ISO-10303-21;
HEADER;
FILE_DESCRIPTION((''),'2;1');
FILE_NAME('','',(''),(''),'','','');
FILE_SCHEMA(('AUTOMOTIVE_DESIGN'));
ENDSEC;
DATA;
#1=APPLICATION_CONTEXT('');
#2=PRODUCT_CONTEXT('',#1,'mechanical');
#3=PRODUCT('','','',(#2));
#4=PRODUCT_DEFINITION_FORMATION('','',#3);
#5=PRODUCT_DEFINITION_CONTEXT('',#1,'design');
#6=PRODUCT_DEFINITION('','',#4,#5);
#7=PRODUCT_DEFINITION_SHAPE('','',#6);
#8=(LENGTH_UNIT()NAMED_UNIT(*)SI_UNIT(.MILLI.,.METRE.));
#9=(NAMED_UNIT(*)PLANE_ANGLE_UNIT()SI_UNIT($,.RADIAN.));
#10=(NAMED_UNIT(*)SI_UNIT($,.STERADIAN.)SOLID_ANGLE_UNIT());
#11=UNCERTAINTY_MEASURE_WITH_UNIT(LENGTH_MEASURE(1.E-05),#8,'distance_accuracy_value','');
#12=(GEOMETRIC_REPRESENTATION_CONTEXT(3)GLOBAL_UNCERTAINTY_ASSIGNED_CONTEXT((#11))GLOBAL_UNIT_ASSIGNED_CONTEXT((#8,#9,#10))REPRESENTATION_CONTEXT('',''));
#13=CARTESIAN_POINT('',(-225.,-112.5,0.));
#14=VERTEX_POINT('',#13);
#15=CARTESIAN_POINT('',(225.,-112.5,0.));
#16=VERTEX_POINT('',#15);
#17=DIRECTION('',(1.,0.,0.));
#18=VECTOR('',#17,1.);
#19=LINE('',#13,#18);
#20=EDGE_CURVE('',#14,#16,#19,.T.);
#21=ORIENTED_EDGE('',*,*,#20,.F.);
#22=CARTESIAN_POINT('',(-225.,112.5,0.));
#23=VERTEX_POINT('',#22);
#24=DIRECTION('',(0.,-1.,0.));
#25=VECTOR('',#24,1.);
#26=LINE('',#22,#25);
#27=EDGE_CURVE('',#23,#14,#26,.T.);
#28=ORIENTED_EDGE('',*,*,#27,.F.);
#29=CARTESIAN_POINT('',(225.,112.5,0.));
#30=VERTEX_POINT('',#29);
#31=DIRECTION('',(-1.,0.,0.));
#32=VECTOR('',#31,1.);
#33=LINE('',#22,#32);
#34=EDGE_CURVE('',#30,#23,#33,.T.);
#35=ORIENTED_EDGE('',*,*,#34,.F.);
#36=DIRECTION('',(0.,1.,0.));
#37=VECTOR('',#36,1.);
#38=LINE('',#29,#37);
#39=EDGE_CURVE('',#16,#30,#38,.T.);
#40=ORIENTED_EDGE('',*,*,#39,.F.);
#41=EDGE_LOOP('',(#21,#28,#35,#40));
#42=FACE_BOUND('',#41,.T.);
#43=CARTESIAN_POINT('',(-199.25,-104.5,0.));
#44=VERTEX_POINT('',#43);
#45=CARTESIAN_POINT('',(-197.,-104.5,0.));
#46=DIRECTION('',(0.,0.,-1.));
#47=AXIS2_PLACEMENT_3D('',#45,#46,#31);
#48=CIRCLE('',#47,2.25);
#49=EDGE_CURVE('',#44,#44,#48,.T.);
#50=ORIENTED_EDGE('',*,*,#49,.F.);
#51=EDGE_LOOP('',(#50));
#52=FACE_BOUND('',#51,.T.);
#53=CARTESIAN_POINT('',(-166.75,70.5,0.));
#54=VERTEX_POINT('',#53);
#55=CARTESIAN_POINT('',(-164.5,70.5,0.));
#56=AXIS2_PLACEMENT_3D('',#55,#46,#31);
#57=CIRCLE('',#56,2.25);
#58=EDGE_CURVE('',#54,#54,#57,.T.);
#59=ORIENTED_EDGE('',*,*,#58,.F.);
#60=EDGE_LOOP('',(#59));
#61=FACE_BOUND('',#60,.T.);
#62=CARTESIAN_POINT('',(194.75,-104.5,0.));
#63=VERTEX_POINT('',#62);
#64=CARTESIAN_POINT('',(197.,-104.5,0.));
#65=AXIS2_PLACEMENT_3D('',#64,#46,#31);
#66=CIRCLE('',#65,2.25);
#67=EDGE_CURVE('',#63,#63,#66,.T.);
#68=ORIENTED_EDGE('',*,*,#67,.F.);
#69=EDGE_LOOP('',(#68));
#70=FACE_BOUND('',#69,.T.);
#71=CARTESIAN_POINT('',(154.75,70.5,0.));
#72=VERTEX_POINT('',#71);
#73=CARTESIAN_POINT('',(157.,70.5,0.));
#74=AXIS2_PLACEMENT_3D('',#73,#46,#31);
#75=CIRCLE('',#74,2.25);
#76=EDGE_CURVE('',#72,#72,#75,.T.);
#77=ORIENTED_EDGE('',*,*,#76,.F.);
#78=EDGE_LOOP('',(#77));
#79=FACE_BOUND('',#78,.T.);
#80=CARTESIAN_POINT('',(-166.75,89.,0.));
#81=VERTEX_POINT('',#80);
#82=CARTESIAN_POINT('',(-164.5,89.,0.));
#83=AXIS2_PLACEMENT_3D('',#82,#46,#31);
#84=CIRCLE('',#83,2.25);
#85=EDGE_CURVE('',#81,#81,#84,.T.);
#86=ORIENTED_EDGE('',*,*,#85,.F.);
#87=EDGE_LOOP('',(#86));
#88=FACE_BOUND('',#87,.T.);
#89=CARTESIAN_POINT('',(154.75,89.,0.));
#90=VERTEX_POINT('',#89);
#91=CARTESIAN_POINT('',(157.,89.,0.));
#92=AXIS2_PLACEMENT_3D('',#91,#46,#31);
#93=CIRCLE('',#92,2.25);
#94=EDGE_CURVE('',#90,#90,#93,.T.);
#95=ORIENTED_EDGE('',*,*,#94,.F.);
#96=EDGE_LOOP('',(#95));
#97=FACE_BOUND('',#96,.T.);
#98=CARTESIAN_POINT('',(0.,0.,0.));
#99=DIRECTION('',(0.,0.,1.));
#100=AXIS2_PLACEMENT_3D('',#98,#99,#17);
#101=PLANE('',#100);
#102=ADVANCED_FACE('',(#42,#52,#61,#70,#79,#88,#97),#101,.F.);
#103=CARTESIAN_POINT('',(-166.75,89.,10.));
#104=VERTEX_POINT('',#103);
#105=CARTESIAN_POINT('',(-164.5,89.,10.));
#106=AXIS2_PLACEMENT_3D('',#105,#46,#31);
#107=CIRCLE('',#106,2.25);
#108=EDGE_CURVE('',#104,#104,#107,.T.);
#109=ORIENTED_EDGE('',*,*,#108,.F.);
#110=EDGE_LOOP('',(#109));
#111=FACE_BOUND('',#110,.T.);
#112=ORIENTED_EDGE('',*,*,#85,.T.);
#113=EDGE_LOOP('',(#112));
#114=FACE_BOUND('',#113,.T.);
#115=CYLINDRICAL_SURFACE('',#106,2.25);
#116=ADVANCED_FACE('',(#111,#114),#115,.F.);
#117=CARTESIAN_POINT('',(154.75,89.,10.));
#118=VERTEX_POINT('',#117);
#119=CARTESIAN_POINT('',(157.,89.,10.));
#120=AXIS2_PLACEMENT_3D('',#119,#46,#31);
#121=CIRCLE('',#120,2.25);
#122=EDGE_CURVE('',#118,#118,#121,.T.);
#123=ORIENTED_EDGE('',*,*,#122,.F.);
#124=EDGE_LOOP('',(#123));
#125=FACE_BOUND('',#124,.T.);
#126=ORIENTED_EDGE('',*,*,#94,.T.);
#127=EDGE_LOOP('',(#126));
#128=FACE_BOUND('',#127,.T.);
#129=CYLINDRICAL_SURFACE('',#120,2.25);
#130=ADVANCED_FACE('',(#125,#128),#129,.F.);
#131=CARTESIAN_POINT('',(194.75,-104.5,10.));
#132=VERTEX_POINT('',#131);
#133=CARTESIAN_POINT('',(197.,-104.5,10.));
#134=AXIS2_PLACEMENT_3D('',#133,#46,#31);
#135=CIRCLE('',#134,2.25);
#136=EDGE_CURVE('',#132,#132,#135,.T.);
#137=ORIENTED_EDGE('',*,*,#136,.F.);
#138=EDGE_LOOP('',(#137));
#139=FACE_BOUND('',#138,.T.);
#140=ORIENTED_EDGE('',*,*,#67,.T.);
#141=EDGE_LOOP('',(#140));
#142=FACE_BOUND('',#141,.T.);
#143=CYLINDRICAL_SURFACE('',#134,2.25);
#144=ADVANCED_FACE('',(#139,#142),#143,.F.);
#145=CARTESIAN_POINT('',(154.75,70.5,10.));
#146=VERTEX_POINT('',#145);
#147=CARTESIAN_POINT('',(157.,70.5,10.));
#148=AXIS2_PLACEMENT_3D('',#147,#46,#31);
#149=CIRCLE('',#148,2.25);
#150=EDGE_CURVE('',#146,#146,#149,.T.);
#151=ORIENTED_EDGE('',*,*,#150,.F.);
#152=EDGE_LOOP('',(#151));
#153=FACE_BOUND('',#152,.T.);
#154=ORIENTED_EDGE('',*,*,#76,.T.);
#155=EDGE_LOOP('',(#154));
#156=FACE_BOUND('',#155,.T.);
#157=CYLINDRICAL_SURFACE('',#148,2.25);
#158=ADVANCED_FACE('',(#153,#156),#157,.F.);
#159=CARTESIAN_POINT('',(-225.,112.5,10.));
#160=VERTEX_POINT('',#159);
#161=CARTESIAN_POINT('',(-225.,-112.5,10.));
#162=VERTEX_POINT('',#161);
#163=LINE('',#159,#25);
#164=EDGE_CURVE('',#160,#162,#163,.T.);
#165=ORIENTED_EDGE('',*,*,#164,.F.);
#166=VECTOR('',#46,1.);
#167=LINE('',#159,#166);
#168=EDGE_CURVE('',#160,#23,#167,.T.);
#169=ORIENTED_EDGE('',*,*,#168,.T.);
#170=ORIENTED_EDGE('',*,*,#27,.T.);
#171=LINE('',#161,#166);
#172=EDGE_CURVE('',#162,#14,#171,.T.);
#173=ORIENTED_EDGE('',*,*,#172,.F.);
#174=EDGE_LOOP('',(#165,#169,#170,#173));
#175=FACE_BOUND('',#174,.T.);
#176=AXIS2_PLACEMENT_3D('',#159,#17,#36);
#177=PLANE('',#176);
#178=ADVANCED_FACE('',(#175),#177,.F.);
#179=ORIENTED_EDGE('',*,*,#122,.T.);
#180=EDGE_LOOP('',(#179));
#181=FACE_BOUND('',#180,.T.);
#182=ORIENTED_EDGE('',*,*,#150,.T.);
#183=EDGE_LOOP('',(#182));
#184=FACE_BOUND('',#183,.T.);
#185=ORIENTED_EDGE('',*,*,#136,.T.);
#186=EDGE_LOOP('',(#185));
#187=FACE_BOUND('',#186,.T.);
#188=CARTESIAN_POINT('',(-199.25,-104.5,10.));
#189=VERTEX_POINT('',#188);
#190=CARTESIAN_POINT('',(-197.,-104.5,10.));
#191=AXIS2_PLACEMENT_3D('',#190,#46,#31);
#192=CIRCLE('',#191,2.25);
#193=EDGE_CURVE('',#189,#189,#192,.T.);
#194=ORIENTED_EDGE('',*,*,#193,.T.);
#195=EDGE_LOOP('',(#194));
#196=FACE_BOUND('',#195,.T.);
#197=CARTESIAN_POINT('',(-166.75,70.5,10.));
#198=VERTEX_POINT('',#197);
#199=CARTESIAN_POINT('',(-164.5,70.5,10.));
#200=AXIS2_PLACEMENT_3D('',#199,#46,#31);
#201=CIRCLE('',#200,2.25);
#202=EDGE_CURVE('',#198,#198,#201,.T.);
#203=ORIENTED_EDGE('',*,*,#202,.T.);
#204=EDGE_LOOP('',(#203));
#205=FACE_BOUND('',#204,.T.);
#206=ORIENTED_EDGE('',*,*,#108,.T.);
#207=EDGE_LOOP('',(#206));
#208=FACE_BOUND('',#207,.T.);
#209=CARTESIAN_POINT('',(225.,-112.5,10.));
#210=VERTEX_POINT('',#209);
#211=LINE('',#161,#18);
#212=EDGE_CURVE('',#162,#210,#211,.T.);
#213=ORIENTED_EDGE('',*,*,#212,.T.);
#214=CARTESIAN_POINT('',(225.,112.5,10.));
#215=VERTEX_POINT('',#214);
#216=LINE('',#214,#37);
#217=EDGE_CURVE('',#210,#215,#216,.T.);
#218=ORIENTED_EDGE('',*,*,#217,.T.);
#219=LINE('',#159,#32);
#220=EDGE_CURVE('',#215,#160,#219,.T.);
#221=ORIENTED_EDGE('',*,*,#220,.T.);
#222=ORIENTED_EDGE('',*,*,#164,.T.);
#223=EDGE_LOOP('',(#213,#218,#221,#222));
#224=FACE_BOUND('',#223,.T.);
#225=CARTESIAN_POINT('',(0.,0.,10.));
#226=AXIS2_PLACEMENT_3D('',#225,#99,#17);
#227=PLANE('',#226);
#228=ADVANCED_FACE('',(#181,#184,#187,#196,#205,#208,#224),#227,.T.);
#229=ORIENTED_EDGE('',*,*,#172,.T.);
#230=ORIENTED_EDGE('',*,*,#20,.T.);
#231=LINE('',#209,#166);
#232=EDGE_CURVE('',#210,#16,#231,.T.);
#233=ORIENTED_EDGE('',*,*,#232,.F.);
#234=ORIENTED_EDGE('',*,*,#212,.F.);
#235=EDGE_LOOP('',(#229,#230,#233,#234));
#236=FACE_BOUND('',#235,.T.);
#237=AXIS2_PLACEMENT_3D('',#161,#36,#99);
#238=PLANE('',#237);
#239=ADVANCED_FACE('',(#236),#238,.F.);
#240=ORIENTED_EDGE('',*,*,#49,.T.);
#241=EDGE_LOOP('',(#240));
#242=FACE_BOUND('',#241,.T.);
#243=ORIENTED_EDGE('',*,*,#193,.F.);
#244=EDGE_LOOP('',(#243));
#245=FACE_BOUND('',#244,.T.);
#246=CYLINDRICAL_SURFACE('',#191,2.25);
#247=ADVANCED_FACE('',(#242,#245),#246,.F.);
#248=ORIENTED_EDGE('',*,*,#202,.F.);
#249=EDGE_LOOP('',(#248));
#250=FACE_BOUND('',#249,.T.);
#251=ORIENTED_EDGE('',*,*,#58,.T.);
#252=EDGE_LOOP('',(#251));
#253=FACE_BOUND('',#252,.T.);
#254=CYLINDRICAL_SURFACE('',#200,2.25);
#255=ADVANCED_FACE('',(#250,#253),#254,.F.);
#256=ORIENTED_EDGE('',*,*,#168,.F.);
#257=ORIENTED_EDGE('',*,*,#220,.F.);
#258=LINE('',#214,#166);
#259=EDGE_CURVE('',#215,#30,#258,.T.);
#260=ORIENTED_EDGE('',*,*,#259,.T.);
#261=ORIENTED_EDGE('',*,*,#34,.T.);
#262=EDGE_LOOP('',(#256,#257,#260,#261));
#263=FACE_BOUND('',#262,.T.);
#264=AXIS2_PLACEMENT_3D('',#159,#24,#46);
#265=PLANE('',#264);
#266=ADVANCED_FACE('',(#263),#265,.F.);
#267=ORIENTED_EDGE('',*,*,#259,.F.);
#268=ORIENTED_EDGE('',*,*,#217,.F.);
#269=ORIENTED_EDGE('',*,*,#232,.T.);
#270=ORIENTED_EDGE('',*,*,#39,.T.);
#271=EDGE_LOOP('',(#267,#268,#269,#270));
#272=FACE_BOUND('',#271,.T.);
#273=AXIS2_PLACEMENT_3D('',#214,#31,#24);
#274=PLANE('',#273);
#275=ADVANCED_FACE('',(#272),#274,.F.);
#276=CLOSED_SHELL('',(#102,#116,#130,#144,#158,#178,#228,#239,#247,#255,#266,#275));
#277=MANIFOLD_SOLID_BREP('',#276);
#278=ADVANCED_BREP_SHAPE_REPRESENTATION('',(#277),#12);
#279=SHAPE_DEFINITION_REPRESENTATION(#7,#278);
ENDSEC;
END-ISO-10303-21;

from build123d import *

# Parameters (mm, degrees)
SCHIZZO1_W                   = 450
SCHIZZO1_H                   = 225
ESTRUSIONE_ESTRUSIONE1_DEPTH = 10
SCHIZZO2_R                   = 2.25
TAGLIO_ESTRUSIONE1_DEPTH     = 10
SCHIZZO3_R                   = 2.25
TAGLIO_ESTRUSIONE2_DEPTH     = 10


with BuildPart() as part:
    # Schizzo1 → Estrusione-Estrusione1 (new body)
    with BuildSketch(Plane.XY):
        Rectangle(SCHIZZO1_W, SCHIZZO1_H)
    extrude(amount=ESTRUSIONE_ESTRUSIONE1_DEPTH)

    # Schizzo2 → Taglio-Estrusione1 (cut)
    with BuildSketch(Plane(origin=(0, 0, 0), x_dir=(-1, 0, 0), z_dir=(0, 0, -1))):
        with Locations((-157, 89)):
            Circle(SCHIZZO2_R)
        with Locations((-157, 70.5)):
            Circle(SCHIZZO2_R)
        with Locations((164.5, 89)):
            Circle(SCHIZZO2_R)
        with Locations((164.5, 70.5)):
            Circle(SCHIZZO2_R)
    extrude(amount=-TAGLIO_ESTRUSIONE1_DEPTH, mode=Mode.SUBTRACT)

    # Schizzo3 → Taglio-Estrusione2 (cut)
    with BuildSketch(Plane(origin=(0, 0, 0), x_dir=(-1, 0, 0), z_dir=(0, 0, -1))):
        with Locations((197, -104.5)):
            Circle(SCHIZZO3_R)
        with Locations((-197, -104.5)):
            Circle(SCHIZZO3_R)
    extrude(amount=-TAGLIO_ESTRUSIONE2_DEPTH, mode=Mode.SUBTRACT)


solid = part.part
